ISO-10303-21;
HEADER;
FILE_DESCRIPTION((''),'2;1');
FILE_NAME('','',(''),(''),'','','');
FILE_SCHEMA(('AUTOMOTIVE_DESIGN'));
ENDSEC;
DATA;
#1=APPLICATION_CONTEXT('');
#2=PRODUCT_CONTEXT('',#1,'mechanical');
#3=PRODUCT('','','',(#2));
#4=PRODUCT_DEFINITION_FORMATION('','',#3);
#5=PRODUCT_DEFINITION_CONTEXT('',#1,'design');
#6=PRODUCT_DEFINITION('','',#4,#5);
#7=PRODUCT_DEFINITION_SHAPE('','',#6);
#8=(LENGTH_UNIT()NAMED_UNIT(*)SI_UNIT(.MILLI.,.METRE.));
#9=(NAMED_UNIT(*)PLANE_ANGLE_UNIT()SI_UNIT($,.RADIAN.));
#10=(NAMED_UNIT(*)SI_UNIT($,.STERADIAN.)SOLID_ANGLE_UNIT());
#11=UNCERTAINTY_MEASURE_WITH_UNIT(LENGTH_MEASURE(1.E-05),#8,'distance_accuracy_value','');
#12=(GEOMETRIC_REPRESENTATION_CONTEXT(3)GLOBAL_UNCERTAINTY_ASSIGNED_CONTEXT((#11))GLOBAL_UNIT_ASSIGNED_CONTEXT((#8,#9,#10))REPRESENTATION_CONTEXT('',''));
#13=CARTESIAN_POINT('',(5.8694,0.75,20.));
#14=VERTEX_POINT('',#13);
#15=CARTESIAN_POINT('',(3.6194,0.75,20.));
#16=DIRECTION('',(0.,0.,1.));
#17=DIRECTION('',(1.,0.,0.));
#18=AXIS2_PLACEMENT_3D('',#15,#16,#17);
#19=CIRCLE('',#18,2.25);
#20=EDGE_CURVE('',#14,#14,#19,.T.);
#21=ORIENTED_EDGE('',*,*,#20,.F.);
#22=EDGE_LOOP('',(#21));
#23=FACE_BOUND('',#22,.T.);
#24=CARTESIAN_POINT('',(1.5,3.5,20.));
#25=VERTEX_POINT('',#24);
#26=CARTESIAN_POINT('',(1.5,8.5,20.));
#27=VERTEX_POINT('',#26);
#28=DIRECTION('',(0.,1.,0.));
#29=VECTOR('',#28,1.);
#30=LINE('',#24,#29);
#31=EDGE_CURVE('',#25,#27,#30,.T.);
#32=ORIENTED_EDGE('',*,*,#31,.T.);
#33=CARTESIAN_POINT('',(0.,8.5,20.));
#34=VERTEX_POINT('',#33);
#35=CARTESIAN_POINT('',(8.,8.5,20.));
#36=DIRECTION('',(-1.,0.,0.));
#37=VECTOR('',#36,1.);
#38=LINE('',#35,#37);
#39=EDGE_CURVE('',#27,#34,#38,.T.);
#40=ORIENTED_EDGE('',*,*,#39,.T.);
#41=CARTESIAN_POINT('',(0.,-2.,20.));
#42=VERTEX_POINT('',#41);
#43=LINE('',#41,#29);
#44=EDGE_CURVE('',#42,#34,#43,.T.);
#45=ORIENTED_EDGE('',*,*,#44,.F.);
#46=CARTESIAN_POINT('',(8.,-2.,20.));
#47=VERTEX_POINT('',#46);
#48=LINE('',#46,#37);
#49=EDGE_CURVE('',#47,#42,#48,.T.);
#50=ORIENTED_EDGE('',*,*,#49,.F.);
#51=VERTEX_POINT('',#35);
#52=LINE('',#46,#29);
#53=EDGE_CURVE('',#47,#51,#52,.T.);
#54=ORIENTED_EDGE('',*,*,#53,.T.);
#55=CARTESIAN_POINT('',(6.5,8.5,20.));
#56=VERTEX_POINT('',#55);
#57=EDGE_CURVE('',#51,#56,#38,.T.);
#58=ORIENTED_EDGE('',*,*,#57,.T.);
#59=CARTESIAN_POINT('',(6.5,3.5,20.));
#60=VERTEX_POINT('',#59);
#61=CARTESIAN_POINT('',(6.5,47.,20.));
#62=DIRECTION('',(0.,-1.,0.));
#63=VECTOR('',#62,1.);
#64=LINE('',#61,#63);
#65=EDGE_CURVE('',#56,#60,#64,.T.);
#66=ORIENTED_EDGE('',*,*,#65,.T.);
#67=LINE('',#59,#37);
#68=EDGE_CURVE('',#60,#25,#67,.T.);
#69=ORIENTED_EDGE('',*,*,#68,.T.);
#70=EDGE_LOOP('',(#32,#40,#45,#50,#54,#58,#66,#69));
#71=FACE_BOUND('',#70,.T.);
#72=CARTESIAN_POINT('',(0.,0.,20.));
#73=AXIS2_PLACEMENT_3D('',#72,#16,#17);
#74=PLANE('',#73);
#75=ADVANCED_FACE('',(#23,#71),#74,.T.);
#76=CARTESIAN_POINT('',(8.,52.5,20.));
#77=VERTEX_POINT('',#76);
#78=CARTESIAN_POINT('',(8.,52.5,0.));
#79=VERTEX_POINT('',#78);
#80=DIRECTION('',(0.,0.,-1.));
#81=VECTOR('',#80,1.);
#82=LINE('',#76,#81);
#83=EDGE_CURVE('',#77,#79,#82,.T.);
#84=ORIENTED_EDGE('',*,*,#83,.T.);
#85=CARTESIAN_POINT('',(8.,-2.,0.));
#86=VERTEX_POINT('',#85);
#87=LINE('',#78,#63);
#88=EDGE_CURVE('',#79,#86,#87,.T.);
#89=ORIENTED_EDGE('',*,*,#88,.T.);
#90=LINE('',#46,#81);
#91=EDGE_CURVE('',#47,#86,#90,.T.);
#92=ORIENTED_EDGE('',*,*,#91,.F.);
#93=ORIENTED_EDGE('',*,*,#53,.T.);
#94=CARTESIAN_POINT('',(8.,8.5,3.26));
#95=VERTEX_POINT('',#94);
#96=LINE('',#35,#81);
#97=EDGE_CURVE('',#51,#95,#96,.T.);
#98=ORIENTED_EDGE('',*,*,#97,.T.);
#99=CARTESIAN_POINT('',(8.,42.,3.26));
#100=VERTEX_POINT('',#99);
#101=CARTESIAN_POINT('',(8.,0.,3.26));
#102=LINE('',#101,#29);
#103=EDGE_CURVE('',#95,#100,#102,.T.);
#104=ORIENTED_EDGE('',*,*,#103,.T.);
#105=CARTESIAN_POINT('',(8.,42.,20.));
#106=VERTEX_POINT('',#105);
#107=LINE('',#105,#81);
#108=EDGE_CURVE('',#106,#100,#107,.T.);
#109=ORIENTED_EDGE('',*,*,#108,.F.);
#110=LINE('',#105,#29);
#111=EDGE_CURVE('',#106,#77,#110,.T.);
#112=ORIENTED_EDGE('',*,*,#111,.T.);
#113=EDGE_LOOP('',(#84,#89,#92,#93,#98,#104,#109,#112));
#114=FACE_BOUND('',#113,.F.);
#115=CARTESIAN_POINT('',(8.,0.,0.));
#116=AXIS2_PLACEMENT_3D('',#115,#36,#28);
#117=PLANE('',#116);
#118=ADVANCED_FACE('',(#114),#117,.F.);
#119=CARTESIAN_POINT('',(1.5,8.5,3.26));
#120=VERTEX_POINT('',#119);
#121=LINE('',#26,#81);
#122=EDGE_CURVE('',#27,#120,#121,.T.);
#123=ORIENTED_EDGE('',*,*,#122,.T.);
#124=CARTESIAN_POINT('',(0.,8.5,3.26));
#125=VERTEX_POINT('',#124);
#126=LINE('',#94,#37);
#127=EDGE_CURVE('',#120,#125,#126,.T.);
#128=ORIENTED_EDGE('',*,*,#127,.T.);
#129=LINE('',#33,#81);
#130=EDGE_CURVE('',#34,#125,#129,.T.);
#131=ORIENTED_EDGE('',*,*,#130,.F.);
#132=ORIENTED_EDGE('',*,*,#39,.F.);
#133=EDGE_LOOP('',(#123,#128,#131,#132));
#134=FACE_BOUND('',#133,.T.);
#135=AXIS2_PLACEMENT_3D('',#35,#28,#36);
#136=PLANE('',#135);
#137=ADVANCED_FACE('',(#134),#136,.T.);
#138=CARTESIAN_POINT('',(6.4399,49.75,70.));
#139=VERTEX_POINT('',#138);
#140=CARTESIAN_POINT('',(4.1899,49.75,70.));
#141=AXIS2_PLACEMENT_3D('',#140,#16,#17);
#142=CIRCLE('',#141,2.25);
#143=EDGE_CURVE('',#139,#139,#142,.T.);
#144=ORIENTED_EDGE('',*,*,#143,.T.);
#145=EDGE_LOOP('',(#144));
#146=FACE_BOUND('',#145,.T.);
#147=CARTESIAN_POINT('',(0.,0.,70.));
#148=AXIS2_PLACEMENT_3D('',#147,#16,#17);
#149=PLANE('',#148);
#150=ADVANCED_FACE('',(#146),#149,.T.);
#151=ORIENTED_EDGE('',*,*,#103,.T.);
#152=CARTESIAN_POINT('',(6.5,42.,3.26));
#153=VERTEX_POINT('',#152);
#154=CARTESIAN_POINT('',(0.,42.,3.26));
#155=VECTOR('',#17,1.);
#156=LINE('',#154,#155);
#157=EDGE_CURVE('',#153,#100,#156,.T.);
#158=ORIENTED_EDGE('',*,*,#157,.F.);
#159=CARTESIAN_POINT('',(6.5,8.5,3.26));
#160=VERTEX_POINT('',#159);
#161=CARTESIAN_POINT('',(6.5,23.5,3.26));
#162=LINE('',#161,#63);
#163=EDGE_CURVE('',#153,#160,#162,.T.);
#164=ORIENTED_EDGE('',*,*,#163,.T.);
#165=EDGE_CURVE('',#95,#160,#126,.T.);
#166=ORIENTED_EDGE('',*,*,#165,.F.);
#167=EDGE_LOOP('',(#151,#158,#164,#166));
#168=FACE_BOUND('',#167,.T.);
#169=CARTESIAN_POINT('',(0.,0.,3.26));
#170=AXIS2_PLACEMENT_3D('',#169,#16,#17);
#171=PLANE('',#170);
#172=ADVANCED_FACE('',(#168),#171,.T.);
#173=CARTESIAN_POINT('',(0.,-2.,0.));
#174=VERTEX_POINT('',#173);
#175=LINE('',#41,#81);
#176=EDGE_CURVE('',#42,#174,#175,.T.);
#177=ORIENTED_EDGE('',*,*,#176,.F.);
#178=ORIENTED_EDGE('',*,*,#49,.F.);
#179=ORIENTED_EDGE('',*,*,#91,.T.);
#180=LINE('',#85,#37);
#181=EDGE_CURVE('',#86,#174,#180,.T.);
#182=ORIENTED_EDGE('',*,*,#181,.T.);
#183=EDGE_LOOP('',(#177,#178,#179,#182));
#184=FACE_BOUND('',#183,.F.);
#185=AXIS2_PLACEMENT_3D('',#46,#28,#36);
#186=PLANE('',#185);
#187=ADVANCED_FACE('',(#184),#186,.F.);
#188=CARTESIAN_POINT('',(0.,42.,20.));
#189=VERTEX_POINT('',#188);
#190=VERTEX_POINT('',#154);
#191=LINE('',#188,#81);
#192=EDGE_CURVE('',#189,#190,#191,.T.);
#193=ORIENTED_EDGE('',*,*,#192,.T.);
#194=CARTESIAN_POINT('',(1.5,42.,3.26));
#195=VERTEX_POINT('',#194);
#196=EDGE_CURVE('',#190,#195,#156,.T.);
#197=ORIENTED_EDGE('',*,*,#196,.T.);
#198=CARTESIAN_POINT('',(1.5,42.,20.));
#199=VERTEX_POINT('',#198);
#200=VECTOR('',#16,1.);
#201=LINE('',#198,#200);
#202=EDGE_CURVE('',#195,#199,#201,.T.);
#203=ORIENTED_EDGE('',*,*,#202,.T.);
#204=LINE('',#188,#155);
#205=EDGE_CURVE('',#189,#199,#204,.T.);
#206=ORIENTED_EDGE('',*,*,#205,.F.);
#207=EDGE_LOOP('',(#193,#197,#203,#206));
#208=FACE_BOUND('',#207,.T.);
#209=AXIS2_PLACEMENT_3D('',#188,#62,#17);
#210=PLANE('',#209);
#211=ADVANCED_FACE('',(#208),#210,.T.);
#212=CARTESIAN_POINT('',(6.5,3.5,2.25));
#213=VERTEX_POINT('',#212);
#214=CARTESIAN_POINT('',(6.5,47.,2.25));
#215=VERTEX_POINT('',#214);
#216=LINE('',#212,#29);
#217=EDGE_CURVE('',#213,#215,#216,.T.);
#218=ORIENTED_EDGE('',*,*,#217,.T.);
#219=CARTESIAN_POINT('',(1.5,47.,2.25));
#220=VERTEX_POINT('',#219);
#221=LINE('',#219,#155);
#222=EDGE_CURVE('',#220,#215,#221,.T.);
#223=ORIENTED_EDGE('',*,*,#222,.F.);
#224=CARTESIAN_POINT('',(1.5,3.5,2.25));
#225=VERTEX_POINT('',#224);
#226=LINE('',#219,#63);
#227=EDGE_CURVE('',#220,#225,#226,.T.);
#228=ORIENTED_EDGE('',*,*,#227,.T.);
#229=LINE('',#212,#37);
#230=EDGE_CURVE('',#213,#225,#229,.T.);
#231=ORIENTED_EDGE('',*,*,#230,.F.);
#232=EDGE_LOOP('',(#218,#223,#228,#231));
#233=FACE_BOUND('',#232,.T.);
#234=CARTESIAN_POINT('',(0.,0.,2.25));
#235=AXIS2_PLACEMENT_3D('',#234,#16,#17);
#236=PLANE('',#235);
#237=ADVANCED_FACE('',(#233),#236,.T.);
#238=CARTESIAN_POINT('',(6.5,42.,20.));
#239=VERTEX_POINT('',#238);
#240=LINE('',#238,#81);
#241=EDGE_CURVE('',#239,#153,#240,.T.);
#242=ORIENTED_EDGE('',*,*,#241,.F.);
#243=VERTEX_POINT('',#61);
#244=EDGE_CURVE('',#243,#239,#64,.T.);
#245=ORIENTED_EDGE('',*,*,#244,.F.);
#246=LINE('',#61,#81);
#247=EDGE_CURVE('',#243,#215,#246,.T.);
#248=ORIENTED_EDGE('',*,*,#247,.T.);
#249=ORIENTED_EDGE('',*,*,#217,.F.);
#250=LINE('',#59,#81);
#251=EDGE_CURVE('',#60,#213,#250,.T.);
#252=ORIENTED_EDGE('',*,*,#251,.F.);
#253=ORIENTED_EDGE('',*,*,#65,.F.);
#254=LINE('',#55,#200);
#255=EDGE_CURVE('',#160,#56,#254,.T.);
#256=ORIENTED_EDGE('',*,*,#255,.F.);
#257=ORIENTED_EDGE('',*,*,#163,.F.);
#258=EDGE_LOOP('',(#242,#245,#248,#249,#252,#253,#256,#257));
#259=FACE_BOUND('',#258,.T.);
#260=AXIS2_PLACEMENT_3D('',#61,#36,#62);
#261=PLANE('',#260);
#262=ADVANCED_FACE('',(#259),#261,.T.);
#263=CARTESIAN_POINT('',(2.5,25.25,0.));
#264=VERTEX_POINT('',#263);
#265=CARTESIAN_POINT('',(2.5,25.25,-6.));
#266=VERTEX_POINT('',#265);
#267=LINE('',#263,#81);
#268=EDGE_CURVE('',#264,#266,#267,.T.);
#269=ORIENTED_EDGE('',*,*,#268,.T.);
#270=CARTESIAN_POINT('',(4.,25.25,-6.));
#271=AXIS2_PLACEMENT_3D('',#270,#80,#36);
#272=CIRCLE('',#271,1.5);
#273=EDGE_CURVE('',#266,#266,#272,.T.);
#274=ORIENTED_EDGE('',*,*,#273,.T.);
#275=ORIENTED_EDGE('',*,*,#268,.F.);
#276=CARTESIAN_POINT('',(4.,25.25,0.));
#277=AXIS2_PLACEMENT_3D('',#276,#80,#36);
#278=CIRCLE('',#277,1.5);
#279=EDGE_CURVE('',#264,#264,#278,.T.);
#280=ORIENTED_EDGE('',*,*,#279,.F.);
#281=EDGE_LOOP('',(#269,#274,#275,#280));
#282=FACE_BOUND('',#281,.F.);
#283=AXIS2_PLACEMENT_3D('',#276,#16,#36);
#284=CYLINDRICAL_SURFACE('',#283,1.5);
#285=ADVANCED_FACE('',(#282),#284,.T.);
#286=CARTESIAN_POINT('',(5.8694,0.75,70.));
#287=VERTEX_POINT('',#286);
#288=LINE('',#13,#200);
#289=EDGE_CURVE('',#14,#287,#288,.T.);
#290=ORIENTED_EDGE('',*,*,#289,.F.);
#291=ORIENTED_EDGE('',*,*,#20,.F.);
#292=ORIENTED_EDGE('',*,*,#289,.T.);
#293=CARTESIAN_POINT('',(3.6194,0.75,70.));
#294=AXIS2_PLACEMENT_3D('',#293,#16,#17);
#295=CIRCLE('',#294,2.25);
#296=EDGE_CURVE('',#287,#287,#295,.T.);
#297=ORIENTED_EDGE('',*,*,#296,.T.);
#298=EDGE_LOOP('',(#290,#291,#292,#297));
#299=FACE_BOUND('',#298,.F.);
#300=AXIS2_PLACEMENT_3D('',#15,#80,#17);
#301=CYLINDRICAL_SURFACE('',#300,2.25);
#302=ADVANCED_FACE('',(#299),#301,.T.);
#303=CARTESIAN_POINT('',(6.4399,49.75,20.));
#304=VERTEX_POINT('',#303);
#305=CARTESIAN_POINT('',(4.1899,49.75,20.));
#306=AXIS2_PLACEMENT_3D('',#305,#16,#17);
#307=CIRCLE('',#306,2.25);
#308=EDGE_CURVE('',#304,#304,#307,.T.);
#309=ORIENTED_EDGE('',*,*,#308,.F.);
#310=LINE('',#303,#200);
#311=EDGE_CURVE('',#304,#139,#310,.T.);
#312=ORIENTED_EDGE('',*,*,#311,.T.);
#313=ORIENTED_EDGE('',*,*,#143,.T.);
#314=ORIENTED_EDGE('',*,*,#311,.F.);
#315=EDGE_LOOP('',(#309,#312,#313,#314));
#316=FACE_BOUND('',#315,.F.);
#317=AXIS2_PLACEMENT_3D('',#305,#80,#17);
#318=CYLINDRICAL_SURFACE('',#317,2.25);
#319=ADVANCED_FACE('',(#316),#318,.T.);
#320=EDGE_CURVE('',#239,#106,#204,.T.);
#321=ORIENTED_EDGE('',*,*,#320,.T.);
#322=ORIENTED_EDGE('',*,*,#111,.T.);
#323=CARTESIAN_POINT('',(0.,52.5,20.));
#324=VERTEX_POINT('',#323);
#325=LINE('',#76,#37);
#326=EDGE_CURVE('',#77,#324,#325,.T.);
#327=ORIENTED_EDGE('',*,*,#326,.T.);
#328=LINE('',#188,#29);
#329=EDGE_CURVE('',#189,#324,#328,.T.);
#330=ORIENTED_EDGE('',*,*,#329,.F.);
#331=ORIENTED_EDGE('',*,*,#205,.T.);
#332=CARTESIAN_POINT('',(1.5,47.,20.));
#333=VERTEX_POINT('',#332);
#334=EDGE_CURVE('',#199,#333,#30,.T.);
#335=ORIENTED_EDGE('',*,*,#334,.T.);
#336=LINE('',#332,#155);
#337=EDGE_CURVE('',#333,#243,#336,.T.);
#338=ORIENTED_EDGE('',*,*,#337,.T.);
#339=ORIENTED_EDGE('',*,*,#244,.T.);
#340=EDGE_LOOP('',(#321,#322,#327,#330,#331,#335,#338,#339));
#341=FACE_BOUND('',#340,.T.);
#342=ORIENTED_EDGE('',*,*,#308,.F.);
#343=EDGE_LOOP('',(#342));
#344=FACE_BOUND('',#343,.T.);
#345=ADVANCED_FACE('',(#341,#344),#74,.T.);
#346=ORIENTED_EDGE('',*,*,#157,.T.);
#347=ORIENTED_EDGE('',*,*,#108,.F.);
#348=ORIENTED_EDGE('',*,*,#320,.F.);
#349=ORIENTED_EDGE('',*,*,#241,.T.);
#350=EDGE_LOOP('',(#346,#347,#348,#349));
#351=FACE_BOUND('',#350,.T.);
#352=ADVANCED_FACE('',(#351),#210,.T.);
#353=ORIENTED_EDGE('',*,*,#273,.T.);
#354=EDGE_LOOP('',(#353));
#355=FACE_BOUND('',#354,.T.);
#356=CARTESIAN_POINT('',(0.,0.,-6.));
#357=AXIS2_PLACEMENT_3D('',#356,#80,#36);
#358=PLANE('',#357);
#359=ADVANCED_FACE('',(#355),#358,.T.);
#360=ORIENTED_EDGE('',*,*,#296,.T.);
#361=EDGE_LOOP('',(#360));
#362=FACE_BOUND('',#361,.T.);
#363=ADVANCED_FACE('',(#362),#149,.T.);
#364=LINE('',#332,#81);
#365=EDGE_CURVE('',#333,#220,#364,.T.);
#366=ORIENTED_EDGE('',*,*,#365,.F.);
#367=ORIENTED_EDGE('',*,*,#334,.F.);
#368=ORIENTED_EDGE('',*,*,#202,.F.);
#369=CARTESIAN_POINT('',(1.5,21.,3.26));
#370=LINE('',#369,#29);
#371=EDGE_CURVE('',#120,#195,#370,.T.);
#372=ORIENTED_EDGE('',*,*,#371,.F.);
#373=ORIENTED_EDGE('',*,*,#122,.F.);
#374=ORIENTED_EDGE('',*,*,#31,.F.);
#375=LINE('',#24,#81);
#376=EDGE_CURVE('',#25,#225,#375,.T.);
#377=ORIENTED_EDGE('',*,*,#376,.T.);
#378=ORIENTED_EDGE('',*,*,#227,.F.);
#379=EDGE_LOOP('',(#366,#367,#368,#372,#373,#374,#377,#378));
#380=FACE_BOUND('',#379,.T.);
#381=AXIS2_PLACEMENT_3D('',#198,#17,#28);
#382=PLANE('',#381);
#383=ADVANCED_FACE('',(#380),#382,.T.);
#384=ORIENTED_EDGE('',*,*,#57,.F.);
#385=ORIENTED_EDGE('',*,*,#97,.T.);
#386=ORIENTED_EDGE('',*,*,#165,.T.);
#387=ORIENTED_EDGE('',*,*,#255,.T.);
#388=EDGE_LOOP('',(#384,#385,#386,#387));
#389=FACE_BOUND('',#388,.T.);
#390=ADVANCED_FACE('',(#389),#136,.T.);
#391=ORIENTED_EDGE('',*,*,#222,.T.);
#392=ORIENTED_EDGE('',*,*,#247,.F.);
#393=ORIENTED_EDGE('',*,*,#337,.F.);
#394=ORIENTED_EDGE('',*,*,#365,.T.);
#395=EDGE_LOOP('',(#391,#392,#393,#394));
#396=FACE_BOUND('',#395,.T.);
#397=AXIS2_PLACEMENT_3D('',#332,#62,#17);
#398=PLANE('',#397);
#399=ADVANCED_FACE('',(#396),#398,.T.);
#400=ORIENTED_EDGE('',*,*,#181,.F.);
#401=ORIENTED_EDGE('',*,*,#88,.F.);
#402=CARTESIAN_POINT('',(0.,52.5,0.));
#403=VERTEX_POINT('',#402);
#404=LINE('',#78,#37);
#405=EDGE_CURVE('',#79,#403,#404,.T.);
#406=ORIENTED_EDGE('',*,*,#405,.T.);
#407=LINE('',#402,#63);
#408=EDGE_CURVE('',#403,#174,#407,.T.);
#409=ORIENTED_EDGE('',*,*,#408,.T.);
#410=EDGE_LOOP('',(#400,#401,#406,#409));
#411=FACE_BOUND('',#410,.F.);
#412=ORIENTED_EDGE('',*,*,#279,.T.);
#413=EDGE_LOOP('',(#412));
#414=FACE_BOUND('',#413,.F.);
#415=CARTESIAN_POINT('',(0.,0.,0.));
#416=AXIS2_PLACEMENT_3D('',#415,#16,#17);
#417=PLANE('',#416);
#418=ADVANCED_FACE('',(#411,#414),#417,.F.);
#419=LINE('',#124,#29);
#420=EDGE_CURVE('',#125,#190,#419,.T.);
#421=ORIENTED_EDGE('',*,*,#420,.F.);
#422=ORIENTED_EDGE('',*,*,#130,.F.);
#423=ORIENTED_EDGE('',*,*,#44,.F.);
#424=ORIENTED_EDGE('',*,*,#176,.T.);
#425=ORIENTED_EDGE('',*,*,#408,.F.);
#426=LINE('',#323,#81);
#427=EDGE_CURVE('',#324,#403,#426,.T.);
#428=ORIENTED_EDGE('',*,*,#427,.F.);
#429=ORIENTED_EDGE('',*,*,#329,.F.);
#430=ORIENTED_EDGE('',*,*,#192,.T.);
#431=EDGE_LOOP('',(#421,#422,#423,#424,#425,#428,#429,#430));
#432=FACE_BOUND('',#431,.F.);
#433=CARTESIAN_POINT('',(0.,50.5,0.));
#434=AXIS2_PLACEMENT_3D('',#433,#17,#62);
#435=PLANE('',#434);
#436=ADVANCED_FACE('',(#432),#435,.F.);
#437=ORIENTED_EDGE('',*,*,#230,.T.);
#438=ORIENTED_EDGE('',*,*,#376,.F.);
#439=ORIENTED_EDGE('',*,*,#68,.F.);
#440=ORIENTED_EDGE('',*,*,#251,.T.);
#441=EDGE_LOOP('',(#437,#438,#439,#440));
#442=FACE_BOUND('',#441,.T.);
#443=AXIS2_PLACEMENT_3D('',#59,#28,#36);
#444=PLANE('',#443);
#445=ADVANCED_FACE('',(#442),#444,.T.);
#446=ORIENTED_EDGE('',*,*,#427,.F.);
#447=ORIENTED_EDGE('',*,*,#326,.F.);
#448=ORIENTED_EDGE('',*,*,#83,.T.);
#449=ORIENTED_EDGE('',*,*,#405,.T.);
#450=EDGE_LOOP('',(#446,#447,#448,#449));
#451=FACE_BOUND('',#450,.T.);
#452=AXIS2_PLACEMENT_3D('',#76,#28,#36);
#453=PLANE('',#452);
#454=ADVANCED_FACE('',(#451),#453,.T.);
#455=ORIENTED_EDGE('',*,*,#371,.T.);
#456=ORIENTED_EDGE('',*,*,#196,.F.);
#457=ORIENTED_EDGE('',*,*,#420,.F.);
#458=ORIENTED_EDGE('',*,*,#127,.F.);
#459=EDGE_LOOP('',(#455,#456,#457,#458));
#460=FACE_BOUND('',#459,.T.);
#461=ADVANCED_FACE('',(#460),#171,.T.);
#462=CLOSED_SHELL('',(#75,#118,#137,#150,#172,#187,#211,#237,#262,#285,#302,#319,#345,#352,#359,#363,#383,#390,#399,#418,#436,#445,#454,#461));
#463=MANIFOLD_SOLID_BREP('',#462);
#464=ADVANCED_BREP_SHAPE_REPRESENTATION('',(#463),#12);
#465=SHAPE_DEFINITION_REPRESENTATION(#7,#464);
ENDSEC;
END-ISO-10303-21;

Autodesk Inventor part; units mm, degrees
ref_plane "YZ Plane" through (0, 0, 0) normal (1, 0, 0) x (0, 1, 0)
ref_plane "XZ Plane" through (0, 0, 0) normal (0, 1, 0) x (-1, 0, 0)
ref_plane "XY Plane" through (0, 0, 0) normal (0, 0, 1) x (1, 0, 0)
sketch "Sketch1" plane through (0, 0, 0) normal (0, 0, 1) x (1, 0, 0)
  line L0 (0, 0) -> (8, 0)
  line L1 (8, 0) -> (8, 50.5)
  line L2 (8, 50.5) -> (0, 50.5)
  line L3 (0, 50.5) -> (0, 0)
  dimension "d0" = 8
  dimension "d1" = 50.5
extrude "Extrusion1" add sketch "Sketch1" along normal blind 20
sketch "Sketch2" plane through (0, 0, 20) normal (0, 0, 1) x (1, 0, 0)
  line L0 (8, 0) -> (8, 50.5) projected
  line L1 (0, 42) -> (8, 42)
  line L2 (8, 42) -> (8, 8.5)
  line L3 (8, 8.5) -> (0, 8.5)
  line L4 (0, 8.5) -> (0, 42)
  line L5 (8, 50.5) -> (0, 50.5) projected
  line L6 (0, 0) -> (8, 0) projected
  dimension "d4" = 33.5
  dimension "d5" = 8.5
  dimension "d6" = 8.5
extrude "Extrusion2" cut sketch "Sketch2" against normal blind 16.74
sketch "Sketch3" plane through (0, 0, 20) normal (0, 0, 1) x (1, 0, 0)
  line L0 (1.5, 47) -> (6.5, 47)
  line L1 (6.5, 47) -> (6.5, 3.5)
  line L2 (6.5, 3.5) -> (1.5, 3.5)
  line L3 (1.5, 3.5) -> (1.5, 47)
  line L4 (0, 50.5) -> (0, 42) projected
  line L5 (0, 42) -> (8, 42) projected
  line L6 (8, 8.5) -> (0, 8.5) projected
  point P0 (0, 0)
  dimension "d9" = 5
  dimension "d10" = 1.5
  dimension "d11" = 5
  dimension "d12" = 5
extrude "Extrusion3" cut sketch "Sketch3" against normal blind 17.75
sketch "Sketch4" plane through (0, 0, 20) normal (0, 0, 1) x (1, 0, 0)
  line L0 (8, 50.5) -> (0, 50.5) projected
  line L1 (0, 50.5) -> (8, 50.5)
  line L2 (8, 50.5) -> (8, 52.5)
  line L3 (8, 52.5) -> (0, 52.5)
  line L4 (0, 52.5) -> (0, 50.5)
  line L5 (0, 0) -> (8, 0) projected
  line L6 (0, 0) -> (8, 0)
  line L7 (8, 0) -> (8, -2)
  line L8 (8, -2) -> (0, -2)
  line L9 (0, -2) -> (0, 0)
  dimension "d15" = 2
extrude "Extrusion4" add sketch "Sketch4" against normal up to surface (20 mm away)
sketch "Sketch5" plane through (0, 0, 20) normal (0, 0, 1) x (1, 0, 0)
  circle A0 centre (4.1899, 49.75) radius 2.25
  circle A1 centre (3.6194, 0.75) radius 2.25
  line L0 (0, -2) -> (8, -2) projected
  line L1 (6.5, 3.5) -> (1.5, 3.5) projected
  line L2 (1.5, 47) -> (6.5, 47) projected
  point P0 (0, 0)
  dimension "d18" = 5.5
  dimension "d19" = 4.5
  dimension "d20" = 2.75
  dimension "d21" = 2.75
extrude "Extrusion5" add sketch "Sketch5" along normal blind 50
sketch "Sketch6" plane through (0, 0, 0) normal (0, 0, -1) x (-1, 0, 0)
  line L0 (0, -2) -> (0, 52.5) projected
  line L1 (-8, -2) -> (-8, 52.5) projected
  circle A0 centre (-4, 25.25) radius 1.5
  line L2 (-8, -2) -> (0, -2) projected
  line L3 (0, 52.5) -> (-8, 52.5) projected
  point P0 (0, 0)
  dimension "d24" = 8
  dimension "d25" = 4
  dimension "d26" = 3
  dimension "d27" = 54.5
  dimension "d28" = 27.25
extrude "Extrusion6" add sketch "Sketch6" along normal blind 6 contours A0
properties part number "Stand Lower covet"
